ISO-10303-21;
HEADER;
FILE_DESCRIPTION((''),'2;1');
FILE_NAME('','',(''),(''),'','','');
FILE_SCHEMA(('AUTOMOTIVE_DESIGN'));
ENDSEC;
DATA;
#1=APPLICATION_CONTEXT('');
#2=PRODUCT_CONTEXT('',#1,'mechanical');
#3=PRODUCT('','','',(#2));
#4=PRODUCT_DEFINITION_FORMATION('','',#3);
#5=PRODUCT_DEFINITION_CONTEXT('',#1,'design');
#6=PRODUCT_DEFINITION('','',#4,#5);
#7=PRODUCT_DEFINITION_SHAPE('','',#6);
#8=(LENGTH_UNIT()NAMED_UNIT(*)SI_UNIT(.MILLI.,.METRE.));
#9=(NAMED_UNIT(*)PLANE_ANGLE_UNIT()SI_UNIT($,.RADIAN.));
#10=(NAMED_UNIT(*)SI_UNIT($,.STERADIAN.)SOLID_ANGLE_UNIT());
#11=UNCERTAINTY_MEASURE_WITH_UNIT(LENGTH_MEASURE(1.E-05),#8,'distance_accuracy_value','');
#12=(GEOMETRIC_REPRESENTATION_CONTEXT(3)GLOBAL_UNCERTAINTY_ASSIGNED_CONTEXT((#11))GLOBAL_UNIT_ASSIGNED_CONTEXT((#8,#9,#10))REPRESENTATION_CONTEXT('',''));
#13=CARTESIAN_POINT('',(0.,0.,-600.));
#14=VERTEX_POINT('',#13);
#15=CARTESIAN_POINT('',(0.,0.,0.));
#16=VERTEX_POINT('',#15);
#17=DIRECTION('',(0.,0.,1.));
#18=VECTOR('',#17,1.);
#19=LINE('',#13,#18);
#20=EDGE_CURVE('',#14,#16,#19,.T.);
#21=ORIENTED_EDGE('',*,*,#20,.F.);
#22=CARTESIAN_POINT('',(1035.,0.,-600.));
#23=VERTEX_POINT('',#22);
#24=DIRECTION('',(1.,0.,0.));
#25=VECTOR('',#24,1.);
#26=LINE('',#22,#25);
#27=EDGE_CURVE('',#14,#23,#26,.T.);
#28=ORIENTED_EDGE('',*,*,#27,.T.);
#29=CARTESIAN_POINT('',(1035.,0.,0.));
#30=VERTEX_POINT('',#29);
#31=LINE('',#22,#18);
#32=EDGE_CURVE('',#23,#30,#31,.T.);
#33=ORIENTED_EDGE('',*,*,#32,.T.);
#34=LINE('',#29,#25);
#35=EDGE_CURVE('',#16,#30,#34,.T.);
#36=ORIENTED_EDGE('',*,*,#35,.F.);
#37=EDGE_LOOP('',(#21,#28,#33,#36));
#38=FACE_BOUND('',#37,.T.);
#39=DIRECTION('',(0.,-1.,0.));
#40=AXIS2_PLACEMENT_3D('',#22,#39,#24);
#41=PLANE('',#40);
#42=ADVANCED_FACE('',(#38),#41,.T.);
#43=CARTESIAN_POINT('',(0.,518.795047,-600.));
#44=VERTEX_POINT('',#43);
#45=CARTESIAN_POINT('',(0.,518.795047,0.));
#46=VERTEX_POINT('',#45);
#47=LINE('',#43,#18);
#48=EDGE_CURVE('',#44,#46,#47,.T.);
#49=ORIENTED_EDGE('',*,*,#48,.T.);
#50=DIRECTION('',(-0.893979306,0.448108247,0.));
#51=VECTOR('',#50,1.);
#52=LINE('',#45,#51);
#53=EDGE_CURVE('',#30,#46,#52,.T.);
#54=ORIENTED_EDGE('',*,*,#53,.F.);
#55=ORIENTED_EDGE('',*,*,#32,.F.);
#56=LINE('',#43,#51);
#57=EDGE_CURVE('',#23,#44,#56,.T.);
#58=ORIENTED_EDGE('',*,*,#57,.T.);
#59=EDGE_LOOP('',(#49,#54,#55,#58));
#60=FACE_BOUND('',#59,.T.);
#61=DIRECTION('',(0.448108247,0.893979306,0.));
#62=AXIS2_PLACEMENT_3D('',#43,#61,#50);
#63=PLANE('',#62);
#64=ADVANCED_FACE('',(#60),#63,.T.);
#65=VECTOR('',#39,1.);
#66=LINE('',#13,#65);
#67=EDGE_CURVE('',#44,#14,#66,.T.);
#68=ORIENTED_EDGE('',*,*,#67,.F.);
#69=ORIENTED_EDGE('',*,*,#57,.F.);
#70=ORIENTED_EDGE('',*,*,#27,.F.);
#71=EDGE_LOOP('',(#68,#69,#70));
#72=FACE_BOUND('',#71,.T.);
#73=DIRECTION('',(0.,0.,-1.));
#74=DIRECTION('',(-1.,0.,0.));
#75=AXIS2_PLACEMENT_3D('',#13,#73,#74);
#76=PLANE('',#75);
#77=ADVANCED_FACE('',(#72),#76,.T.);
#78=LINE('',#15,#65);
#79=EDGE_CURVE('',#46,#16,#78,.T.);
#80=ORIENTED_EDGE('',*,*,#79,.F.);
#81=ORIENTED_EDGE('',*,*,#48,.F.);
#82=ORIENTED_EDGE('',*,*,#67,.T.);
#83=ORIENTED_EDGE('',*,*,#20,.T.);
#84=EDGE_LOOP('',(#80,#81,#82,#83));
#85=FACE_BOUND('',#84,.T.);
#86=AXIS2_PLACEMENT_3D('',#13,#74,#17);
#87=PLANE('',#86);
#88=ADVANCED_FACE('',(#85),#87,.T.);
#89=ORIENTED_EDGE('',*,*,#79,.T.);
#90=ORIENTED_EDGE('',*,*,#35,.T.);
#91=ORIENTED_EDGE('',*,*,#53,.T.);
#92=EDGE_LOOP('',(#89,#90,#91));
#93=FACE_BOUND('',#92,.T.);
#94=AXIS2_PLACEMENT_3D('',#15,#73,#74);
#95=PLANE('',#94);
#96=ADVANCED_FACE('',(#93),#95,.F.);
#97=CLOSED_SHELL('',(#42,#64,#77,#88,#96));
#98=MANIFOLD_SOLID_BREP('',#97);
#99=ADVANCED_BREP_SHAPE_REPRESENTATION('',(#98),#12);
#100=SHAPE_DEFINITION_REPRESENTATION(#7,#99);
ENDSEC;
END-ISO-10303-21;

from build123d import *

# Parameters (mm, degrees)
EXTRUDE_2_DEPTH = 600


with BuildPart() as part:
    # 草图1 → 凸台-拉伸2 (new body)
    with BuildSketch(Plane.XY):
        Polygon((0, 0), (0, 518.79504679), (1035, 0), align=None)
    extrude(amount=-EXTRUDE_2_DEPTH)


solid = part.part
